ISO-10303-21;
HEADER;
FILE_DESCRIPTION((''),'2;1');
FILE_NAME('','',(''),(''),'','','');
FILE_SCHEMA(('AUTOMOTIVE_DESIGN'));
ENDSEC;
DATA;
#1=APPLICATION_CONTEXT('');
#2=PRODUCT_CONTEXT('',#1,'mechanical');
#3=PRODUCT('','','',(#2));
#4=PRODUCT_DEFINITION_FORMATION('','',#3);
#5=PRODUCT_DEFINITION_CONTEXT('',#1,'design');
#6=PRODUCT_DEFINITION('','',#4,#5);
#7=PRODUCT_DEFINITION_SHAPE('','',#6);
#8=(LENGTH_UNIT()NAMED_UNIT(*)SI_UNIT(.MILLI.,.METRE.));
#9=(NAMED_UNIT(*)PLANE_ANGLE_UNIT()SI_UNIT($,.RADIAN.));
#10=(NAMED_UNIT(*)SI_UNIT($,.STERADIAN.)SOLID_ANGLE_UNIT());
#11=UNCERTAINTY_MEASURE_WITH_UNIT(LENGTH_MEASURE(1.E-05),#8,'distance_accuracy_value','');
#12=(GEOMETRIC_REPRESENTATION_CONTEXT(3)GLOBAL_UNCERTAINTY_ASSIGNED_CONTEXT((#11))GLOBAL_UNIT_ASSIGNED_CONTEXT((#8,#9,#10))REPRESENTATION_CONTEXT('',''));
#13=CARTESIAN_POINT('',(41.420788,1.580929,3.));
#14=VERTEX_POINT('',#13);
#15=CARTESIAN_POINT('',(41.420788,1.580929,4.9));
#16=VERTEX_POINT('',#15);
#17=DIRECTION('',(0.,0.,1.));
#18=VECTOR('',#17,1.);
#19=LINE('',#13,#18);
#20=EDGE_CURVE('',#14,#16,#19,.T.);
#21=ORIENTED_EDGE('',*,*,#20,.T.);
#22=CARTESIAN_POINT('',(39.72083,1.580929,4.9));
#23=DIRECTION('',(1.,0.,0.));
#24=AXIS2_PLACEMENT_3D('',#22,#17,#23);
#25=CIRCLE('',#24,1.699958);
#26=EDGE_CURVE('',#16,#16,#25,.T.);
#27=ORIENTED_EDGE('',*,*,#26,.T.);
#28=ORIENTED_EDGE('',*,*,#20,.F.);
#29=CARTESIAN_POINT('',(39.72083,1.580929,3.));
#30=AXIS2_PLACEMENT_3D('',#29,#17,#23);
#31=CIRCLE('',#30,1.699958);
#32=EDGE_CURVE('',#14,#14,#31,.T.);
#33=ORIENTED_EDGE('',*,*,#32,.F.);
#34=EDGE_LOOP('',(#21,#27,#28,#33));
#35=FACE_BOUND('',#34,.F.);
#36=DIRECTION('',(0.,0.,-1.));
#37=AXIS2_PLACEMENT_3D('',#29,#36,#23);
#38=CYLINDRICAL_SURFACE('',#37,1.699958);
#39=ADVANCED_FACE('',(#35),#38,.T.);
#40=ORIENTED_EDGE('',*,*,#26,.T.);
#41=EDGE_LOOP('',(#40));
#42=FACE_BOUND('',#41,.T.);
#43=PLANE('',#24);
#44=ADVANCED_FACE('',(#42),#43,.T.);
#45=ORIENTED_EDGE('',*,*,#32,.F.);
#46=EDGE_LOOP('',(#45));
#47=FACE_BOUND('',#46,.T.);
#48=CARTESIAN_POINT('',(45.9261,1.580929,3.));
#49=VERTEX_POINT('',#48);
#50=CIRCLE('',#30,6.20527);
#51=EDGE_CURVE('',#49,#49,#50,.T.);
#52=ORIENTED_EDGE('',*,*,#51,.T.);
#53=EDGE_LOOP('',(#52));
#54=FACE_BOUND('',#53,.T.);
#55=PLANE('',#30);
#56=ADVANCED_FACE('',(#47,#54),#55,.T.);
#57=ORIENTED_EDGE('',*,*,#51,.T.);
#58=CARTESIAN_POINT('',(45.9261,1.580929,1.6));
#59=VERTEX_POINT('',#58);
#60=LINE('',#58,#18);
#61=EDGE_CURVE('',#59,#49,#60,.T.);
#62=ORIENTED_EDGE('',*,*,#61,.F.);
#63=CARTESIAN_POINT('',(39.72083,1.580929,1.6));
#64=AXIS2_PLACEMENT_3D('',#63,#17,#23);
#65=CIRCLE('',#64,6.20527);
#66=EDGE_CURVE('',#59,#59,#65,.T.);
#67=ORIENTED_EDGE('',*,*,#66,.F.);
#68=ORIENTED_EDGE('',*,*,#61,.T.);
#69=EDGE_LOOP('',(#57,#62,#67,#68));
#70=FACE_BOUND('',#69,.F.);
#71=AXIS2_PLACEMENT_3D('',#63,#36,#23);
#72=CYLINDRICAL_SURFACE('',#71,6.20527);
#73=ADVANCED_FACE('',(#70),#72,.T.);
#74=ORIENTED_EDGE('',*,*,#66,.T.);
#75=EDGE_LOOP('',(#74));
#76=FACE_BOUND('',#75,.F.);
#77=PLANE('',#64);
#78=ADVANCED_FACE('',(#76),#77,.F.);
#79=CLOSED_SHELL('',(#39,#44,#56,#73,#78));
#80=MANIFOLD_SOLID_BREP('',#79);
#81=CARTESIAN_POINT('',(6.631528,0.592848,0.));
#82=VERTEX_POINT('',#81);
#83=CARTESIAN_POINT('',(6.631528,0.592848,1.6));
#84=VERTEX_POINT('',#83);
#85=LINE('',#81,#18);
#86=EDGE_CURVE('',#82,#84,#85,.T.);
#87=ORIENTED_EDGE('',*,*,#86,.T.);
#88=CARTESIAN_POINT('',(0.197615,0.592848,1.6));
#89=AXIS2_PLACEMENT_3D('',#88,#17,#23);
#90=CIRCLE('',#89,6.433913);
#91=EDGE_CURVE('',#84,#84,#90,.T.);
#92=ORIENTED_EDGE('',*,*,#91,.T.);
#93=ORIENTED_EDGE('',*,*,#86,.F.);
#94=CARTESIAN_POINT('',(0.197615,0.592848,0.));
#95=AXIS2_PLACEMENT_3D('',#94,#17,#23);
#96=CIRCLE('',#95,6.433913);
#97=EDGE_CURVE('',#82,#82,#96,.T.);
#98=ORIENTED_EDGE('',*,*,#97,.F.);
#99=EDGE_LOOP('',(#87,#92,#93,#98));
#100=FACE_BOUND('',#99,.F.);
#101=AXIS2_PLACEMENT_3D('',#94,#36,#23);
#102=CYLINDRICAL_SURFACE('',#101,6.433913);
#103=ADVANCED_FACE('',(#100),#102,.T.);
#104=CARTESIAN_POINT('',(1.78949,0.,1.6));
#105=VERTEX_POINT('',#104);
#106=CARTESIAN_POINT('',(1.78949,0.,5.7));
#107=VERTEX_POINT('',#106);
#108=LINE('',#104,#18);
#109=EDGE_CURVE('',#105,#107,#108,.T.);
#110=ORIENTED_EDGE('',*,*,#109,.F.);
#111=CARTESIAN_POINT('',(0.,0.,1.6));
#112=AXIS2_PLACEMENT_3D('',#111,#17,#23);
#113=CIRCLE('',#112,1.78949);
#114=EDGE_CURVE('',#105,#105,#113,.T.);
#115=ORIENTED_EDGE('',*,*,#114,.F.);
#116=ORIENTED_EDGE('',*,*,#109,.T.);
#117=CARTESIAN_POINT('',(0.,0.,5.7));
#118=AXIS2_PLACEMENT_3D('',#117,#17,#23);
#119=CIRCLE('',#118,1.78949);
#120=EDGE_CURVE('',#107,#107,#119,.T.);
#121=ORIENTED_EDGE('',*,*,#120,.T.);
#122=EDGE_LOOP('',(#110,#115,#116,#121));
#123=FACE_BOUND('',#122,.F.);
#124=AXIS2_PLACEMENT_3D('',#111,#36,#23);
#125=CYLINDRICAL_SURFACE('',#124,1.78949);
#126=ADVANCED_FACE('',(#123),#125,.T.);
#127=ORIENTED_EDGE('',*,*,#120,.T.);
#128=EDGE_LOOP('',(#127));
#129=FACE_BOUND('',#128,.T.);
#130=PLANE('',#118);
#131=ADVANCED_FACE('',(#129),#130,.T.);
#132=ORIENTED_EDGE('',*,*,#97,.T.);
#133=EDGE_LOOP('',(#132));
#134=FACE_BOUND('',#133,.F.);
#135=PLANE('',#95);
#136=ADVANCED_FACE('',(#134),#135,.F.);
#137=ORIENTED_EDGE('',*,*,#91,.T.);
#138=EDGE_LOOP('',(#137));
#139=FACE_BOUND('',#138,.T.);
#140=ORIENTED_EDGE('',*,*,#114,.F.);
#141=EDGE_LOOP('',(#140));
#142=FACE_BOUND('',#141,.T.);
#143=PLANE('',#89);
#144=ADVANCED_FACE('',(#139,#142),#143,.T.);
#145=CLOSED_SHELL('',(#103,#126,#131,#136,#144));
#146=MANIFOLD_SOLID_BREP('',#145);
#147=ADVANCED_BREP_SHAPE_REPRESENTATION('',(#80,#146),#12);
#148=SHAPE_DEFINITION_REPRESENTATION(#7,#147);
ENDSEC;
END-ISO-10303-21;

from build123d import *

# Parameters (mm, degrees)
F0_R      = 6.433913
F1_DEPTH  = 1.6
F2_R      = 1.78949
F3_DEPTH  = 4.1
F4_R      = 6.20527
F5_DEPTH  = 1.4
F6_R      = 1.699958
F7_DEPTH  = 3.8
F7_FACE_R = 1.699958
F8_DEPTH  = 1.9


with BuildPart() as f1:
    # F0 (on Top) → F1 (new body)
    with BuildSketch(Plane.XY):
        with Locations((0.197615, 0.592848)):
            Circle(F0_R)
    extrude(amount=F1_DEPTH)

    # F2 (on face) → F3 (join)
    with BuildSketch(Plane.XY.offset(1.6)):
        Circle(F2_R)
    extrude(amount=F3_DEPTH)


with BuildPart() as f5:
    # F4 (on face) → F5 (new body)
    with BuildSketch(Plane.XY.offset(1.6)):
        with Locations((39.72083, 1.580929)):
            Circle(F4_R)
    extrude(amount=F5_DEPTH)

    # F6 (on face) → F7 (join)
    with BuildSketch(Plane.XY.offset(3)):
        with Locations((39.72083, 1.580929)):
            Circle(F6_R)
    extrude(amount=F7_DEPTH)

    # F7_face (on face) → F8 (cut)
    with BuildSketch(Plane(origin=(39.72083, 1.580929, 6.8), x_dir=(1, 0, 0), z_dir=(0, 0, 1))):
        Circle(F7_FACE_R)
    extrude(amount=-F8_DEPTH, mode=Mode.SUBTRACT)


solid = Compound([f1.part, f5.part])
